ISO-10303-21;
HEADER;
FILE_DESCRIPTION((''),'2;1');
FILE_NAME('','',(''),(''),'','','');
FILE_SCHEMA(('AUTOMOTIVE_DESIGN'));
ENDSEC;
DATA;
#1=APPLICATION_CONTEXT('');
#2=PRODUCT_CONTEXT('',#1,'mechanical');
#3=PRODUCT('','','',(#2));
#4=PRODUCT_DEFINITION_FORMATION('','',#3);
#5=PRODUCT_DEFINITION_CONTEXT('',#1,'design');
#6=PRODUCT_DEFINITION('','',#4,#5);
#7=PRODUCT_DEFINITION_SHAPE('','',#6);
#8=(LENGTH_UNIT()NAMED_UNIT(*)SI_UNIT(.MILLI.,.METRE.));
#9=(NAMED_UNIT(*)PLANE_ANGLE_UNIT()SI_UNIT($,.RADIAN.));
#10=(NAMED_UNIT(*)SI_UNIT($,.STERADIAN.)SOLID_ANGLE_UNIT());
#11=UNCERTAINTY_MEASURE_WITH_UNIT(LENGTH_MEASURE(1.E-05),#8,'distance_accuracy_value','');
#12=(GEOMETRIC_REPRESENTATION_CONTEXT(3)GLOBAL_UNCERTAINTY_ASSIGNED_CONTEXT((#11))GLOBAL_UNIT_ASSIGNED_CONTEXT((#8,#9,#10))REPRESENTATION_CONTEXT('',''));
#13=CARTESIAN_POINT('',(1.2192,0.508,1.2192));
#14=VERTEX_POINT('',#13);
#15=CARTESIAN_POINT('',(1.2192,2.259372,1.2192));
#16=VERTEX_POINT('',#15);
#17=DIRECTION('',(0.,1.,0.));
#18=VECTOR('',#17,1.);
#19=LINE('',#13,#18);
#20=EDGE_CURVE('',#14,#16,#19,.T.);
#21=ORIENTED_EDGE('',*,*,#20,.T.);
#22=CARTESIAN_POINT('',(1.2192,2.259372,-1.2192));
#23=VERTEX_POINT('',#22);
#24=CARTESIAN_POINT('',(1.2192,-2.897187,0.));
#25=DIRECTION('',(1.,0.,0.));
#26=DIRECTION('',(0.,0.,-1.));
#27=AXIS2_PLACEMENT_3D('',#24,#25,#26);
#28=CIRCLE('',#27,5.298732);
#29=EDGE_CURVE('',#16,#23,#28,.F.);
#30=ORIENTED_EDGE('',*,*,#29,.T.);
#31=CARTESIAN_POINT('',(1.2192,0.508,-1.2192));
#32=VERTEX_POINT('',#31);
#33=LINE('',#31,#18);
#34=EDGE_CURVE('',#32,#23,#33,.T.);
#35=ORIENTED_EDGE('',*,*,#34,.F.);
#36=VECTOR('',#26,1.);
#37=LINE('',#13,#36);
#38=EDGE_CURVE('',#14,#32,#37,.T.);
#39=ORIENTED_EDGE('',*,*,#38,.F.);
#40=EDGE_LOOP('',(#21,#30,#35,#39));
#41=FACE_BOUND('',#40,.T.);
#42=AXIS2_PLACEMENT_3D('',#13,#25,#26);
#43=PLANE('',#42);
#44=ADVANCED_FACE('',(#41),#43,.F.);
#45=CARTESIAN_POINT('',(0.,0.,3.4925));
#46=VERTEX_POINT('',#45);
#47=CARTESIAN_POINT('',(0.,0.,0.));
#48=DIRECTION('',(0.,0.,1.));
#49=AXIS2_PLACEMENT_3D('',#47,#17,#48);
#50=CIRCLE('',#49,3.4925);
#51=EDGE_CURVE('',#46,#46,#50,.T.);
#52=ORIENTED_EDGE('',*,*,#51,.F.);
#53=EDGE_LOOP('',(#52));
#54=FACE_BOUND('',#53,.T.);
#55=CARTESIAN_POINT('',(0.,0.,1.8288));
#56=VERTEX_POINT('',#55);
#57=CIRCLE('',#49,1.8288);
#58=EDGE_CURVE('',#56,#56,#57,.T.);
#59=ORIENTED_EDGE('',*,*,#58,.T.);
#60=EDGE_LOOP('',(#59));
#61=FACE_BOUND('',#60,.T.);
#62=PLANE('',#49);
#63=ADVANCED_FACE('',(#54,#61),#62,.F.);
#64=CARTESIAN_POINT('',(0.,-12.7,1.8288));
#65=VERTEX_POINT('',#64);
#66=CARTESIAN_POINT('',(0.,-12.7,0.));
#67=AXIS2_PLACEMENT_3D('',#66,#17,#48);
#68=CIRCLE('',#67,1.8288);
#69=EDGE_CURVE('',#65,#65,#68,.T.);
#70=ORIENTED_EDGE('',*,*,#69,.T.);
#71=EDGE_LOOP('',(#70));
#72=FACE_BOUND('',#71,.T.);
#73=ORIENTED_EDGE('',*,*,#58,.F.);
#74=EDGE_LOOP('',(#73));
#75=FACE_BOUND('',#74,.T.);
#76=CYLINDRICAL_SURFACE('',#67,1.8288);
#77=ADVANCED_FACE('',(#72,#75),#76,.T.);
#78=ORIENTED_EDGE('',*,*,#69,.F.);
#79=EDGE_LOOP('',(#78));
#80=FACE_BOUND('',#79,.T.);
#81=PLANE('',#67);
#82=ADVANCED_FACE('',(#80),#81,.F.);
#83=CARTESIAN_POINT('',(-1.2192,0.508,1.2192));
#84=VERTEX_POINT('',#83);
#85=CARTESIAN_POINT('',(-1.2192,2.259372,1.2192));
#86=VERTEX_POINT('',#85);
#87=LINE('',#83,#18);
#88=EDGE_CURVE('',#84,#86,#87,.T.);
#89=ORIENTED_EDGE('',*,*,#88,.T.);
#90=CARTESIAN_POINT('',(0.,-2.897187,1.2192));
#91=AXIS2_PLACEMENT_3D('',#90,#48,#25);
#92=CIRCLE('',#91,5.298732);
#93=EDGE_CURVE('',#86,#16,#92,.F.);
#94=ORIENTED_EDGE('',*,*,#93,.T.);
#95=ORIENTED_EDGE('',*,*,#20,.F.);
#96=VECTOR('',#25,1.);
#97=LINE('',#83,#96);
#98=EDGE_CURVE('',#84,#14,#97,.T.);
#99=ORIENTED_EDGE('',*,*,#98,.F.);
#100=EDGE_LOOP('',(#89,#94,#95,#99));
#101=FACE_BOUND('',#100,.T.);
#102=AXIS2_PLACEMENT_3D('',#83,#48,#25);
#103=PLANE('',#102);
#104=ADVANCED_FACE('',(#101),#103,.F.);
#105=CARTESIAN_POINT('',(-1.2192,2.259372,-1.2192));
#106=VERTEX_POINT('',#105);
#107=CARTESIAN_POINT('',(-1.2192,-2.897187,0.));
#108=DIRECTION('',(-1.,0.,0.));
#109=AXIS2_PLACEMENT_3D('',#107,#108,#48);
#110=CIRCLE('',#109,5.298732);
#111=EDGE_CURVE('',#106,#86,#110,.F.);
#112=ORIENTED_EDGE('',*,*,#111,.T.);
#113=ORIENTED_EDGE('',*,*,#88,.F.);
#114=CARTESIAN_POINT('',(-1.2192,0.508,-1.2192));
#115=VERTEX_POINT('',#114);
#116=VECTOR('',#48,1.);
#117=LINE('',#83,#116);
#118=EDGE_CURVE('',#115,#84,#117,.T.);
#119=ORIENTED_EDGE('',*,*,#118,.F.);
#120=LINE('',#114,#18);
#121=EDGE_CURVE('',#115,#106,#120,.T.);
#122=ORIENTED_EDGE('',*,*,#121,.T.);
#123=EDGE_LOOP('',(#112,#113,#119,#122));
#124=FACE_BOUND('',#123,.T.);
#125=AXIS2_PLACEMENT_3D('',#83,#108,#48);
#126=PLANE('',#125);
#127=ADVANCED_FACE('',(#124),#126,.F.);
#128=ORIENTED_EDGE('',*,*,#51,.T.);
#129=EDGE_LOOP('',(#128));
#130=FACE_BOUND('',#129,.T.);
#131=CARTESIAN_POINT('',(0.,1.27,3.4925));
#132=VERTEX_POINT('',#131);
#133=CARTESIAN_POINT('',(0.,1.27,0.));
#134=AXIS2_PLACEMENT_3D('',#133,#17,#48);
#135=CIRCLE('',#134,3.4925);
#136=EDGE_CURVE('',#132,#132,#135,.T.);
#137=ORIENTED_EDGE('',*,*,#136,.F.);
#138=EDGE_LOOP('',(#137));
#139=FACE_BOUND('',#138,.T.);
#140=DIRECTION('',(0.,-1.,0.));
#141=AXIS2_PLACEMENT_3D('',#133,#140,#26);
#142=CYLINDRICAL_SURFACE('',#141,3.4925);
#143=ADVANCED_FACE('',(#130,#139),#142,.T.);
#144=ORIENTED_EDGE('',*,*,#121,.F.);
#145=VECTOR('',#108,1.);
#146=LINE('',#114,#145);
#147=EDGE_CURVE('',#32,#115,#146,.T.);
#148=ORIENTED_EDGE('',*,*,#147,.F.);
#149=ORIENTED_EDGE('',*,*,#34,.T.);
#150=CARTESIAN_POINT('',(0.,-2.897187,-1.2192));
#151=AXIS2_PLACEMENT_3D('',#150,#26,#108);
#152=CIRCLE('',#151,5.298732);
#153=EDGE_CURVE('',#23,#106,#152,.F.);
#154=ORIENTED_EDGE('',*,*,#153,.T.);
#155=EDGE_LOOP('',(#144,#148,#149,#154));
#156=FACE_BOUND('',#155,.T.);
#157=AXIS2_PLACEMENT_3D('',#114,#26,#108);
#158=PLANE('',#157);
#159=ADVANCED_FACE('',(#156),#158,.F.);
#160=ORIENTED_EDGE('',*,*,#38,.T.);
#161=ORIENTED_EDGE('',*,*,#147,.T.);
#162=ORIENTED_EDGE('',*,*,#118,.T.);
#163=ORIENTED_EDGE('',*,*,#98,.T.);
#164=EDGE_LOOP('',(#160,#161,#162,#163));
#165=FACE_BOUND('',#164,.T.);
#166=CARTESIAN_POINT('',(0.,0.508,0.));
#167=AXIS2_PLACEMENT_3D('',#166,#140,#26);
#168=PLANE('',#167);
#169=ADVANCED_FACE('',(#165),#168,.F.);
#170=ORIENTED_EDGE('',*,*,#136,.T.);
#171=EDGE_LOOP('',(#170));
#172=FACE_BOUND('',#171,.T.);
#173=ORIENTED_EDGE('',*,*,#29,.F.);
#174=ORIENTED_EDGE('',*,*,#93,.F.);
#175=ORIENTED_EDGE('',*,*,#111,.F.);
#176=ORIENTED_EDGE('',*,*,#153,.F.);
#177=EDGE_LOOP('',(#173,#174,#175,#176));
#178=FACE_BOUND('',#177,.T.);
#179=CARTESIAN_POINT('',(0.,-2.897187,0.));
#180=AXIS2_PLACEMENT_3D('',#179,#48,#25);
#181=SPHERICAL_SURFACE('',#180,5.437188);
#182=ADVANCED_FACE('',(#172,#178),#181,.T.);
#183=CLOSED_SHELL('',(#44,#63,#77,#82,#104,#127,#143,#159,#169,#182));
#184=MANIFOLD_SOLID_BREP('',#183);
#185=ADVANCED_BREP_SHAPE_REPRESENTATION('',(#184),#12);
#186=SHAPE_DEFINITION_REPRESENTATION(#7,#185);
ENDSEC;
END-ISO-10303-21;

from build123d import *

# Parameters (mm, degrees)
SKETCH1_R           = 1.8288
BOSS_EXTRUDE1_DEPTH = 12.7
SKETCH2_R           = 3.4925
BOSS_EXTRUDE2_DEPTH = 1.27
DOME1_FACE_RADIUS   = 3.4925
DOME1_HEIGHT        = 1.27
SKETCH3_W           = 2.4384
SKETCH3_H           = 2.4384
CUT_EXTRUDE1_DEPTH  = 2.032


with BuildPart() as part:
    # Sketch1 → Boss-Extrude1 (new body)
    with BuildSketch(Plane(origin=(0, 0, 0), x_dir=(1, 0, 0), z_dir=(0, 1, 0))):
        with Locations(Location((0, 0, 0), (0, 0, 270))):
            Circle(SKETCH1_R)
    extrude(amount=-BOSS_EXTRUDE1_DEPTH)

    # Sketch2 → Boss-Extrude2 (add)
    with BuildSketch(Plane(origin=(0, 0, 0), x_dir=(1, 0, 0), z_dir=(0, 1, 0))):
        with Locations(Location((0, 0, 0), (0, 0, 270))):
            Circle(SKETCH2_R)
    extrude(amount=BOSS_EXTRUDE2_DEPTH)

    # Dome1: a dome of height H over a round flat face of radius A is a cap of a sphere of radius (A * A + H * H) / (2 * H)
    dome1_r = (DOME1_FACE_RADIUS * DOME1_FACE_RADIUS + DOME1_HEIGHT * DOME1_HEIGHT) / (2 * DOME1_HEIGHT)
    dome1_base = Plane((0, 1.27, 0), z_dir=(0, 1, 0))
    with Locations(dome1_base.offset(DOME1_HEIGHT - dome1_r)):
        dome1_ball = Sphere(dome1_r, mode=Mode.PRIVATE)
    add(split(dome1_ball, bisect_by=dome1_base, keep=Keep.TOP, mode=Mode.PRIVATE))

    # Sketch3 → Cut-Extrude1 (cut)
    with BuildSketch(Plane(origin=(0, 2.54, 0), x_dir=(1, 0, 0), z_dir=(0, 1, 0))):
        Rectangle(SKETCH3_W, SKETCH3_H)
    extrude(amount=-CUT_EXTRUDE1_DEPTH, mode=Mode.SUBTRACT)


solid = part.part
